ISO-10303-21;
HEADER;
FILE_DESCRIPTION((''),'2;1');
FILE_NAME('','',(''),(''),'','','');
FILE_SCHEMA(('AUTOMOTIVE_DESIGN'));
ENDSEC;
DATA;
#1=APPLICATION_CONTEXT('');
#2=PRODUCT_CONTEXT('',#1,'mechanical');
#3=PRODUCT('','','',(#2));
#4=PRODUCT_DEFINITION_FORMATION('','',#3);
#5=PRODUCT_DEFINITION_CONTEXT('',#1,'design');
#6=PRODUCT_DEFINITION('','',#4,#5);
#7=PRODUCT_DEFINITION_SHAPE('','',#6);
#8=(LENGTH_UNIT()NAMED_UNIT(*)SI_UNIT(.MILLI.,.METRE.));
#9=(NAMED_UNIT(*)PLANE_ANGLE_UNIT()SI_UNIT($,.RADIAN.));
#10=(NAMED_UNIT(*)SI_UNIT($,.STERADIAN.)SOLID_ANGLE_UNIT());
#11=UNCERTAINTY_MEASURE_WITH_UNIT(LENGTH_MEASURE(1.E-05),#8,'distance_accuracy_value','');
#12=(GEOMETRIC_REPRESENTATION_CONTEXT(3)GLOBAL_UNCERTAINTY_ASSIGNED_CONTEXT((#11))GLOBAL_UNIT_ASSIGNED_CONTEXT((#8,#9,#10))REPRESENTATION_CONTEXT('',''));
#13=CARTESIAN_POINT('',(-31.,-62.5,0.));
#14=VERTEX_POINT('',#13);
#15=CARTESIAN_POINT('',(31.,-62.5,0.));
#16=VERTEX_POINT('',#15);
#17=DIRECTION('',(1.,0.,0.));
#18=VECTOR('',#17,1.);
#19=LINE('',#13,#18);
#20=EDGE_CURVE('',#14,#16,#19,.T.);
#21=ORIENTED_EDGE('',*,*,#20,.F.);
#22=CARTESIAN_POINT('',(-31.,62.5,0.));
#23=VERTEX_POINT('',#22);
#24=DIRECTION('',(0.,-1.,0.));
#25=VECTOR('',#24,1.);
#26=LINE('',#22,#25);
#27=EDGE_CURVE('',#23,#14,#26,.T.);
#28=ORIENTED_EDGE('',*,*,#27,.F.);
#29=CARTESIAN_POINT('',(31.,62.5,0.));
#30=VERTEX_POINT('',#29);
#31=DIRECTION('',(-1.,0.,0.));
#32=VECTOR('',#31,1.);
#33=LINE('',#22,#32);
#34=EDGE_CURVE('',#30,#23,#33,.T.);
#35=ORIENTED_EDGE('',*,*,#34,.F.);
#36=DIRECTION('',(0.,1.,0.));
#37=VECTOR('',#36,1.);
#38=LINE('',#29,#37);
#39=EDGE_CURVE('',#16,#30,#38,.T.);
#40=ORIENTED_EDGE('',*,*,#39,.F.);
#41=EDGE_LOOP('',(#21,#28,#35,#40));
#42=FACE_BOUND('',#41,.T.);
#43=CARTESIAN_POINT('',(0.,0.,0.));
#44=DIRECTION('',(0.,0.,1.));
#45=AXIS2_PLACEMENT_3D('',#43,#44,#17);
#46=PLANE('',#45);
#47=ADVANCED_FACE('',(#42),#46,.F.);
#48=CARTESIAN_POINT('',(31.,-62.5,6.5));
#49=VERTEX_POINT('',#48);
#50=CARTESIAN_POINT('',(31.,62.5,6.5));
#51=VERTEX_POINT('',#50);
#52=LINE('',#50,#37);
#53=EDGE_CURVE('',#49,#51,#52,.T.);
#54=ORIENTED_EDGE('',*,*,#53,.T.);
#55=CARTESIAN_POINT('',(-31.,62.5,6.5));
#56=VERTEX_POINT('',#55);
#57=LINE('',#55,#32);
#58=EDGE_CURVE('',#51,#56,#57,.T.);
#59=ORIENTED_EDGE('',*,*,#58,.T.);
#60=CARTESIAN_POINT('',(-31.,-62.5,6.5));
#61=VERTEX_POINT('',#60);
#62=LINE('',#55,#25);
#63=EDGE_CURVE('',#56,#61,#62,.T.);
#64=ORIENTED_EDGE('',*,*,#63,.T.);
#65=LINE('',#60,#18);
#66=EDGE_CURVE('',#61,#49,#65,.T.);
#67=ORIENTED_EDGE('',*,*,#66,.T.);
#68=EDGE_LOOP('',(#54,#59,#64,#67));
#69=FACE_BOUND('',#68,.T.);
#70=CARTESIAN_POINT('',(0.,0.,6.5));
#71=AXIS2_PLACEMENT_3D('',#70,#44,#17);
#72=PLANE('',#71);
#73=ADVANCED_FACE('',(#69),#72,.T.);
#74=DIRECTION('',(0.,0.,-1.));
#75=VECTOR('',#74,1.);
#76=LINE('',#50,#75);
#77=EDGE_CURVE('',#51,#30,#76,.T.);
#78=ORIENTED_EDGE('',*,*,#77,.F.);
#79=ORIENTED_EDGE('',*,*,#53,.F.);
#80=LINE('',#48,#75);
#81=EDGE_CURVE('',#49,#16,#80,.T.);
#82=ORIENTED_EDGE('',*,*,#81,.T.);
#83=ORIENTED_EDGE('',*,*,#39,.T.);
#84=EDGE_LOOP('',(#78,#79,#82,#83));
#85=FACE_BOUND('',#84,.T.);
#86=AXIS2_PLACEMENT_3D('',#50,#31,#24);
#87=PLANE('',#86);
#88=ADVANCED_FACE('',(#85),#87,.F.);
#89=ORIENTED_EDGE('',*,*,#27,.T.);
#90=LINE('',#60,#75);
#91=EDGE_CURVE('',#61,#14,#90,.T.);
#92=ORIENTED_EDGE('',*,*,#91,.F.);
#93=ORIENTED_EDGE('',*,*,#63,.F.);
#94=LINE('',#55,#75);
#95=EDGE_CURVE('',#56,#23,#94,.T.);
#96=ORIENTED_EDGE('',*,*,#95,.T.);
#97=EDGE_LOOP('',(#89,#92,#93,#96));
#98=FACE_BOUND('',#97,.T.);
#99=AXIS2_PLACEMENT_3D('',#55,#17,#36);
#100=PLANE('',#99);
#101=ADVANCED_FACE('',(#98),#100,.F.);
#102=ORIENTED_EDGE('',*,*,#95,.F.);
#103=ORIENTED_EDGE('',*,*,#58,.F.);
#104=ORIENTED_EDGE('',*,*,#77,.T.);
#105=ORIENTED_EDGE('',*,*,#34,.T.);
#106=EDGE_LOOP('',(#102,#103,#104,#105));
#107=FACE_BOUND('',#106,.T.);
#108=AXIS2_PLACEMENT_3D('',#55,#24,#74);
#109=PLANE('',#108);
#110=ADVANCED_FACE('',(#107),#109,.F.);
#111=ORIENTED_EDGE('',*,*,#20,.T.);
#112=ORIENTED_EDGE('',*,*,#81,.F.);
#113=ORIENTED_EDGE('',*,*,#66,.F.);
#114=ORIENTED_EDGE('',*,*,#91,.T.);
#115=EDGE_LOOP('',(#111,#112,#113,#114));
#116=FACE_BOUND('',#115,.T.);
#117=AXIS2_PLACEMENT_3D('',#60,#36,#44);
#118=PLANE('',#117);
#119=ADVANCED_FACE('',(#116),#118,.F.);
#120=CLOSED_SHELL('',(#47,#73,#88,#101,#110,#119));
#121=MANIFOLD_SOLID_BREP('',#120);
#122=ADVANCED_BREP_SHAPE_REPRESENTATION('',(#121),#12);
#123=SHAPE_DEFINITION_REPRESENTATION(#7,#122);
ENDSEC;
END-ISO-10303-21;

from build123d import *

# Parameters (mm, degrees)
SCHIZZO1_W                   = 62
SCHIZZO1_H                   = 125
ESTRUSIONE_ESTRUSIONE1_DEPTH = 6.5


with BuildPart() as part:
    # Schizzo1 → Estrusione-Estrusione1 (new body)
    with BuildSketch(Plane.XY):
        Rectangle(SCHIZZO1_W, SCHIZZO1_H)
    extrude(amount=ESTRUSIONE_ESTRUSIONE1_DEPTH)


solid = part.part
